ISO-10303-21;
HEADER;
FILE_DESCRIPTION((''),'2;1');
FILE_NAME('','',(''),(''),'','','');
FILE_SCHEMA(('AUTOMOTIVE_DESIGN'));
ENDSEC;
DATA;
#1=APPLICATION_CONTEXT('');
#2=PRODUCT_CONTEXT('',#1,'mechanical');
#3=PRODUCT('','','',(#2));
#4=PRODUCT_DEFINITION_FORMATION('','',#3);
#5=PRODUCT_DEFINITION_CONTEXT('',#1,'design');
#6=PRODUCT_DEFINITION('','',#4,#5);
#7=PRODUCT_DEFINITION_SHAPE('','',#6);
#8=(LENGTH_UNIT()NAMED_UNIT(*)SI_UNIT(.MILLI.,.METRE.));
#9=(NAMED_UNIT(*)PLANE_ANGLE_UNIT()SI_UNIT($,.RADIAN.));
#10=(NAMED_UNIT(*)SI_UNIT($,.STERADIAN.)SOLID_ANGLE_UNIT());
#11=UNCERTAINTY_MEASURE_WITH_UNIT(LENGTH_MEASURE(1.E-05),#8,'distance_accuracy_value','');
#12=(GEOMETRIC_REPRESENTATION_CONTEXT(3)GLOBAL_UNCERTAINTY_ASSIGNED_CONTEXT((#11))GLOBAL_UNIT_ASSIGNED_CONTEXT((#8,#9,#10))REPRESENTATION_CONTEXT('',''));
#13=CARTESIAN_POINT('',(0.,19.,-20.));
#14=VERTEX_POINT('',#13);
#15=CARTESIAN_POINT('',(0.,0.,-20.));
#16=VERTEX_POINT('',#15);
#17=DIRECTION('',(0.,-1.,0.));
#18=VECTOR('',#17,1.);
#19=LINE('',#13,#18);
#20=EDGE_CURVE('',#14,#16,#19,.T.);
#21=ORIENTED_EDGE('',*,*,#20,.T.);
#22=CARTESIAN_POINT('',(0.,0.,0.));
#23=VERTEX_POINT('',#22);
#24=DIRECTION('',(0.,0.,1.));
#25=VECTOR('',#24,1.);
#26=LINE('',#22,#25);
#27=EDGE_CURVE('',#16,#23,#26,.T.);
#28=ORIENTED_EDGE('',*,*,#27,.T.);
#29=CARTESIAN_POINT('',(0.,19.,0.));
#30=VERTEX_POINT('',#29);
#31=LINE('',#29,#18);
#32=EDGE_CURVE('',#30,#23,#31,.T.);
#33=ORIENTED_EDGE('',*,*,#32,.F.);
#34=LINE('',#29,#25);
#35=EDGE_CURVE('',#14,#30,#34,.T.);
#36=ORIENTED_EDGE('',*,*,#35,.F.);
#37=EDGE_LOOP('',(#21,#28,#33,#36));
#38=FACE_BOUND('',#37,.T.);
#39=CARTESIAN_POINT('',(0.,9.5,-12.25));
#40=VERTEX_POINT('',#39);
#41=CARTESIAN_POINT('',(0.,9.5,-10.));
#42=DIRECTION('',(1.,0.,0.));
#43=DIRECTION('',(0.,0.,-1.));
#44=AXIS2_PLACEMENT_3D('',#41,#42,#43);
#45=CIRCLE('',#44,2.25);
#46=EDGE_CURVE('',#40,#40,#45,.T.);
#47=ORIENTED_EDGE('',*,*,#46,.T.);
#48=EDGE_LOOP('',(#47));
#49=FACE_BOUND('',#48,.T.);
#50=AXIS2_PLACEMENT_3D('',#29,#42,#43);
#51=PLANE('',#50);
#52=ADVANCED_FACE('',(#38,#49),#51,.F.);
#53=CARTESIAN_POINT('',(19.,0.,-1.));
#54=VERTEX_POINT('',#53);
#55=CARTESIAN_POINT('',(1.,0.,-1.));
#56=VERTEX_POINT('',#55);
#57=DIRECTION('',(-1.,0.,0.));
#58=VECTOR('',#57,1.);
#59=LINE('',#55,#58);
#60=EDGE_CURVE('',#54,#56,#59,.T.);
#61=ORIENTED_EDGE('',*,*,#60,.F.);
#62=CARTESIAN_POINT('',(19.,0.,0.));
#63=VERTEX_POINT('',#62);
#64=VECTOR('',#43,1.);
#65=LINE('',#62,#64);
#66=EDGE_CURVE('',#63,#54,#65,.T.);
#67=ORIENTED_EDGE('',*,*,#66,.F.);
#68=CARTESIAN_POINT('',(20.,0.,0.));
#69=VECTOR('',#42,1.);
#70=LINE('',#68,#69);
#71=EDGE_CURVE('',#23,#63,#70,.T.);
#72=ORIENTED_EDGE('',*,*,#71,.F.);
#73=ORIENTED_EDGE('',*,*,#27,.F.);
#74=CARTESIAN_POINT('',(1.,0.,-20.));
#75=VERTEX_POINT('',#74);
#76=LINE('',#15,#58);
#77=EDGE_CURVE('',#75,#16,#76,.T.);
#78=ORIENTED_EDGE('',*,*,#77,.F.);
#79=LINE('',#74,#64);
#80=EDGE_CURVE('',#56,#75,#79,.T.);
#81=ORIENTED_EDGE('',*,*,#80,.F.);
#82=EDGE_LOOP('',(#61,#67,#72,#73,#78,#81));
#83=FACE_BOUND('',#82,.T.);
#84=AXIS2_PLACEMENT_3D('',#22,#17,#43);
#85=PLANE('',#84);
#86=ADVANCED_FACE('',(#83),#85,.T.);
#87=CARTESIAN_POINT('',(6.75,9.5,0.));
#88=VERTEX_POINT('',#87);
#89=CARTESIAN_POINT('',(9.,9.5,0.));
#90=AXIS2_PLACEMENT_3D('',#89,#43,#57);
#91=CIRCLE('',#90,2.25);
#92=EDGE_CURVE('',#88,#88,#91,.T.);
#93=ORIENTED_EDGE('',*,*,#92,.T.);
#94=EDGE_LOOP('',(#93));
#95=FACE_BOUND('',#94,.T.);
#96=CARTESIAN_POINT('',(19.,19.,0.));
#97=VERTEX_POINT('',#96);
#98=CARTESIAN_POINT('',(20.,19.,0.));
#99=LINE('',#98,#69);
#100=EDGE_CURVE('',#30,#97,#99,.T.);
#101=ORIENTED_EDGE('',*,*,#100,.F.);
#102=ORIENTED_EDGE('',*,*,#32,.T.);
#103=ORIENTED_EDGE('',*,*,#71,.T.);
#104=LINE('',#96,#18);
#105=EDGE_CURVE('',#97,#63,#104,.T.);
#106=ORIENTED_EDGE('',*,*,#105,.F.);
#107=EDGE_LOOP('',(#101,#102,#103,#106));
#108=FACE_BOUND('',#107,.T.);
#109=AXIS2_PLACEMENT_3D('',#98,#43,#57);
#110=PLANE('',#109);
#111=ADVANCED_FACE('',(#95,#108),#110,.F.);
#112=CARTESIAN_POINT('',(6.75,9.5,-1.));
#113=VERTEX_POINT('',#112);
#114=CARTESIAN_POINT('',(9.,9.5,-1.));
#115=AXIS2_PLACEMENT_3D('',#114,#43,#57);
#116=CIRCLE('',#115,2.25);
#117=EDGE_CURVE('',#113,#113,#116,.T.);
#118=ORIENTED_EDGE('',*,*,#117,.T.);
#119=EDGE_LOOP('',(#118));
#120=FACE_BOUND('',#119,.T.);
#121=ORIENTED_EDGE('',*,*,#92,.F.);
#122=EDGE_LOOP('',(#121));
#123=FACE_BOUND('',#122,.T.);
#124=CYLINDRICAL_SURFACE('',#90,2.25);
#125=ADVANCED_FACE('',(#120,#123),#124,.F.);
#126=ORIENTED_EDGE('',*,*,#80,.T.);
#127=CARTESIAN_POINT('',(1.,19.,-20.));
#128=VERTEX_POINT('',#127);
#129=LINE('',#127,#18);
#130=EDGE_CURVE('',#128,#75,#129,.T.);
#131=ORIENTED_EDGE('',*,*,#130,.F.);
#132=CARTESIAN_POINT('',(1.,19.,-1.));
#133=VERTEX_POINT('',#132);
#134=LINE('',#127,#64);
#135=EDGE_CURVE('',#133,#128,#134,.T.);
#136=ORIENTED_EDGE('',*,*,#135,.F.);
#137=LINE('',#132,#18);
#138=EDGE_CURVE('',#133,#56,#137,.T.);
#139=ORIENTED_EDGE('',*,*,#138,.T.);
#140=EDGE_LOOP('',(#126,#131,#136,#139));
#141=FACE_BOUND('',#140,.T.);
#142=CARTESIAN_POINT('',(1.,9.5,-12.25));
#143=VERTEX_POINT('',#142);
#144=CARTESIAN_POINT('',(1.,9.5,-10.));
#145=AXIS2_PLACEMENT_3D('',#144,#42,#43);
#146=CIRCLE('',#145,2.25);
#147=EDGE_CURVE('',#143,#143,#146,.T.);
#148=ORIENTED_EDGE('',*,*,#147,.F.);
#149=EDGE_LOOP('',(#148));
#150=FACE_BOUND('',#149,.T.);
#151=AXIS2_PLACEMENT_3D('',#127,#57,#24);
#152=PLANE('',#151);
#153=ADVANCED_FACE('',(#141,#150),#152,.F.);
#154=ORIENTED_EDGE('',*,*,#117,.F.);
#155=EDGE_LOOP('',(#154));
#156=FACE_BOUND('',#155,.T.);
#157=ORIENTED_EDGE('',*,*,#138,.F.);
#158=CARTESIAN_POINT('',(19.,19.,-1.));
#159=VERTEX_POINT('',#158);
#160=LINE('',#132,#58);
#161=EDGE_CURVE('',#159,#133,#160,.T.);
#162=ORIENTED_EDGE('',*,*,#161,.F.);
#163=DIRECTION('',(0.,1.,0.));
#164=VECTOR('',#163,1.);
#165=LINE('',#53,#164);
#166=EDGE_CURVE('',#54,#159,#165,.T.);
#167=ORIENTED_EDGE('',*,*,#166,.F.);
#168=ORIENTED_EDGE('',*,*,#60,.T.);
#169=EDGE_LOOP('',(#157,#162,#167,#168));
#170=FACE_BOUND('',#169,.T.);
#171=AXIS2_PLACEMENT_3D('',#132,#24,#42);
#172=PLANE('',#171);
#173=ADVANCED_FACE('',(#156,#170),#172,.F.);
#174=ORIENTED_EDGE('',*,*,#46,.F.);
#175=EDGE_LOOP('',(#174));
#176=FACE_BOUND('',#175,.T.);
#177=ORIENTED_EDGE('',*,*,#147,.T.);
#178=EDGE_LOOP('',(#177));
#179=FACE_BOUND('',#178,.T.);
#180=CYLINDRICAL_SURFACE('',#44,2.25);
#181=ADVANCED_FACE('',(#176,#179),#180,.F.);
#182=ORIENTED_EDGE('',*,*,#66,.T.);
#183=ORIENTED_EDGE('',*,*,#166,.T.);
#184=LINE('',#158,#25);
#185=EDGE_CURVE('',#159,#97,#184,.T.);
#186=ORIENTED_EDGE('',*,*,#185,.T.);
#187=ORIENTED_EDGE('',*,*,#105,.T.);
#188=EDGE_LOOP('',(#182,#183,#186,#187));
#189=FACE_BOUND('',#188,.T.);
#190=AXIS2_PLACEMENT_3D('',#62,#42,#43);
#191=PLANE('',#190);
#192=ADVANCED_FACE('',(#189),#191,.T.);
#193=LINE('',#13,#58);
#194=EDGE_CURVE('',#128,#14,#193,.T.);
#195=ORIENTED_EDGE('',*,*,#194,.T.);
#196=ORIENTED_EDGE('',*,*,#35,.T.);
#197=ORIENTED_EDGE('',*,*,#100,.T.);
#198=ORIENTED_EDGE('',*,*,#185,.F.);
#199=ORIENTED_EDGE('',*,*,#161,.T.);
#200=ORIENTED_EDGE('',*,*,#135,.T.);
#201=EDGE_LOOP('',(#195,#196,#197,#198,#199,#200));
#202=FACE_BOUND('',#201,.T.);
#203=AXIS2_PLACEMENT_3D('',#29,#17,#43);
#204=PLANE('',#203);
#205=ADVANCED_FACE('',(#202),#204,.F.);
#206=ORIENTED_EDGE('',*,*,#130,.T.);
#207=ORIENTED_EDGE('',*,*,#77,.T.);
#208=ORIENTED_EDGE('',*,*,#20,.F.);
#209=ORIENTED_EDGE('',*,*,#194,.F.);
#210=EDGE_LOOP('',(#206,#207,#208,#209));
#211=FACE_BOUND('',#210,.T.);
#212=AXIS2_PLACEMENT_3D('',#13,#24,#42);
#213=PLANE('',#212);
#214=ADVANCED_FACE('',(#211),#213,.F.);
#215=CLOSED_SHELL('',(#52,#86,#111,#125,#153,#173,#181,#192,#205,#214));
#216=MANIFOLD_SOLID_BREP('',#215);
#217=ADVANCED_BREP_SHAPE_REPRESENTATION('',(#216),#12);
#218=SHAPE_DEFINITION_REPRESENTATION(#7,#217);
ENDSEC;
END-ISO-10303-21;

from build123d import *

# Parameters (mm, degrees)
EXTRUDE_1_DEPTH     = 19
SKETCH_2_W          = 1
SKETCH_2_H          = 19
CUT_EXTRUDE_1_DEPTH = 1
SKETCH_3_R          = 2.25
CUT_EXTRUDE_2_DEPTH = 2
SKETCH_4_R          = 2.25
CUT_EXTRUDE_3_DEPTH = 2


with BuildPart() as part:
    # Эскиз1 → Бобышка-Вытянуть1 (new body)
    with BuildSketch(Plane(origin=(0, 0, 0), x_dir=(1, 0, 0), z_dir=(0, 1, 0))):
        Polygon((0, 0), (0, 20), (1, 20), (1, 1), (20, 1), (20, 0), align=None)
    extrude(amount=EXTRUDE_1_DEPTH)

    # Эскиз2 → Вырез-Вытянуть1 (cut)
    with BuildSketch(Plane(origin=(20, 0, 0), x_dir=(0, 0, -1), z_dir=(1, 0, 0))):
        with Locations((0.5, 9.5)):
            Rectangle(SKETCH_2_W, SKETCH_2_H)
    extrude(amount=-CUT_EXTRUDE_1_DEPTH, mode=Mode.SUBTRACT)

    # Эскиз3 → Вырез-Вытянуть2 (cut, through all)
    with BuildSketch(Plane(origin=(0, 0, -1), x_dir=(-1, 0, 0), z_dir=(0, 0, -1))):
        with Locations((-9, 9.5)):
            Circle(SKETCH_3_R)
    extrude(amount=-CUT_EXTRUDE_2_DEPTH, mode=Mode.SUBTRACT)

    # Эскиз4 → Вырез-Вытянуть3 (cut, through all)
    with BuildSketch(Plane(origin=(1, 0, 0), x_dir=(0, 0, -1), z_dir=(1, 0, 0))):
        with Locations((10, 9.5)):
            Circle(SKETCH_4_R)
    extrude(amount=-CUT_EXTRUDE_3_DEPTH, mode=Mode.SUBTRACT)


solid = part.part
